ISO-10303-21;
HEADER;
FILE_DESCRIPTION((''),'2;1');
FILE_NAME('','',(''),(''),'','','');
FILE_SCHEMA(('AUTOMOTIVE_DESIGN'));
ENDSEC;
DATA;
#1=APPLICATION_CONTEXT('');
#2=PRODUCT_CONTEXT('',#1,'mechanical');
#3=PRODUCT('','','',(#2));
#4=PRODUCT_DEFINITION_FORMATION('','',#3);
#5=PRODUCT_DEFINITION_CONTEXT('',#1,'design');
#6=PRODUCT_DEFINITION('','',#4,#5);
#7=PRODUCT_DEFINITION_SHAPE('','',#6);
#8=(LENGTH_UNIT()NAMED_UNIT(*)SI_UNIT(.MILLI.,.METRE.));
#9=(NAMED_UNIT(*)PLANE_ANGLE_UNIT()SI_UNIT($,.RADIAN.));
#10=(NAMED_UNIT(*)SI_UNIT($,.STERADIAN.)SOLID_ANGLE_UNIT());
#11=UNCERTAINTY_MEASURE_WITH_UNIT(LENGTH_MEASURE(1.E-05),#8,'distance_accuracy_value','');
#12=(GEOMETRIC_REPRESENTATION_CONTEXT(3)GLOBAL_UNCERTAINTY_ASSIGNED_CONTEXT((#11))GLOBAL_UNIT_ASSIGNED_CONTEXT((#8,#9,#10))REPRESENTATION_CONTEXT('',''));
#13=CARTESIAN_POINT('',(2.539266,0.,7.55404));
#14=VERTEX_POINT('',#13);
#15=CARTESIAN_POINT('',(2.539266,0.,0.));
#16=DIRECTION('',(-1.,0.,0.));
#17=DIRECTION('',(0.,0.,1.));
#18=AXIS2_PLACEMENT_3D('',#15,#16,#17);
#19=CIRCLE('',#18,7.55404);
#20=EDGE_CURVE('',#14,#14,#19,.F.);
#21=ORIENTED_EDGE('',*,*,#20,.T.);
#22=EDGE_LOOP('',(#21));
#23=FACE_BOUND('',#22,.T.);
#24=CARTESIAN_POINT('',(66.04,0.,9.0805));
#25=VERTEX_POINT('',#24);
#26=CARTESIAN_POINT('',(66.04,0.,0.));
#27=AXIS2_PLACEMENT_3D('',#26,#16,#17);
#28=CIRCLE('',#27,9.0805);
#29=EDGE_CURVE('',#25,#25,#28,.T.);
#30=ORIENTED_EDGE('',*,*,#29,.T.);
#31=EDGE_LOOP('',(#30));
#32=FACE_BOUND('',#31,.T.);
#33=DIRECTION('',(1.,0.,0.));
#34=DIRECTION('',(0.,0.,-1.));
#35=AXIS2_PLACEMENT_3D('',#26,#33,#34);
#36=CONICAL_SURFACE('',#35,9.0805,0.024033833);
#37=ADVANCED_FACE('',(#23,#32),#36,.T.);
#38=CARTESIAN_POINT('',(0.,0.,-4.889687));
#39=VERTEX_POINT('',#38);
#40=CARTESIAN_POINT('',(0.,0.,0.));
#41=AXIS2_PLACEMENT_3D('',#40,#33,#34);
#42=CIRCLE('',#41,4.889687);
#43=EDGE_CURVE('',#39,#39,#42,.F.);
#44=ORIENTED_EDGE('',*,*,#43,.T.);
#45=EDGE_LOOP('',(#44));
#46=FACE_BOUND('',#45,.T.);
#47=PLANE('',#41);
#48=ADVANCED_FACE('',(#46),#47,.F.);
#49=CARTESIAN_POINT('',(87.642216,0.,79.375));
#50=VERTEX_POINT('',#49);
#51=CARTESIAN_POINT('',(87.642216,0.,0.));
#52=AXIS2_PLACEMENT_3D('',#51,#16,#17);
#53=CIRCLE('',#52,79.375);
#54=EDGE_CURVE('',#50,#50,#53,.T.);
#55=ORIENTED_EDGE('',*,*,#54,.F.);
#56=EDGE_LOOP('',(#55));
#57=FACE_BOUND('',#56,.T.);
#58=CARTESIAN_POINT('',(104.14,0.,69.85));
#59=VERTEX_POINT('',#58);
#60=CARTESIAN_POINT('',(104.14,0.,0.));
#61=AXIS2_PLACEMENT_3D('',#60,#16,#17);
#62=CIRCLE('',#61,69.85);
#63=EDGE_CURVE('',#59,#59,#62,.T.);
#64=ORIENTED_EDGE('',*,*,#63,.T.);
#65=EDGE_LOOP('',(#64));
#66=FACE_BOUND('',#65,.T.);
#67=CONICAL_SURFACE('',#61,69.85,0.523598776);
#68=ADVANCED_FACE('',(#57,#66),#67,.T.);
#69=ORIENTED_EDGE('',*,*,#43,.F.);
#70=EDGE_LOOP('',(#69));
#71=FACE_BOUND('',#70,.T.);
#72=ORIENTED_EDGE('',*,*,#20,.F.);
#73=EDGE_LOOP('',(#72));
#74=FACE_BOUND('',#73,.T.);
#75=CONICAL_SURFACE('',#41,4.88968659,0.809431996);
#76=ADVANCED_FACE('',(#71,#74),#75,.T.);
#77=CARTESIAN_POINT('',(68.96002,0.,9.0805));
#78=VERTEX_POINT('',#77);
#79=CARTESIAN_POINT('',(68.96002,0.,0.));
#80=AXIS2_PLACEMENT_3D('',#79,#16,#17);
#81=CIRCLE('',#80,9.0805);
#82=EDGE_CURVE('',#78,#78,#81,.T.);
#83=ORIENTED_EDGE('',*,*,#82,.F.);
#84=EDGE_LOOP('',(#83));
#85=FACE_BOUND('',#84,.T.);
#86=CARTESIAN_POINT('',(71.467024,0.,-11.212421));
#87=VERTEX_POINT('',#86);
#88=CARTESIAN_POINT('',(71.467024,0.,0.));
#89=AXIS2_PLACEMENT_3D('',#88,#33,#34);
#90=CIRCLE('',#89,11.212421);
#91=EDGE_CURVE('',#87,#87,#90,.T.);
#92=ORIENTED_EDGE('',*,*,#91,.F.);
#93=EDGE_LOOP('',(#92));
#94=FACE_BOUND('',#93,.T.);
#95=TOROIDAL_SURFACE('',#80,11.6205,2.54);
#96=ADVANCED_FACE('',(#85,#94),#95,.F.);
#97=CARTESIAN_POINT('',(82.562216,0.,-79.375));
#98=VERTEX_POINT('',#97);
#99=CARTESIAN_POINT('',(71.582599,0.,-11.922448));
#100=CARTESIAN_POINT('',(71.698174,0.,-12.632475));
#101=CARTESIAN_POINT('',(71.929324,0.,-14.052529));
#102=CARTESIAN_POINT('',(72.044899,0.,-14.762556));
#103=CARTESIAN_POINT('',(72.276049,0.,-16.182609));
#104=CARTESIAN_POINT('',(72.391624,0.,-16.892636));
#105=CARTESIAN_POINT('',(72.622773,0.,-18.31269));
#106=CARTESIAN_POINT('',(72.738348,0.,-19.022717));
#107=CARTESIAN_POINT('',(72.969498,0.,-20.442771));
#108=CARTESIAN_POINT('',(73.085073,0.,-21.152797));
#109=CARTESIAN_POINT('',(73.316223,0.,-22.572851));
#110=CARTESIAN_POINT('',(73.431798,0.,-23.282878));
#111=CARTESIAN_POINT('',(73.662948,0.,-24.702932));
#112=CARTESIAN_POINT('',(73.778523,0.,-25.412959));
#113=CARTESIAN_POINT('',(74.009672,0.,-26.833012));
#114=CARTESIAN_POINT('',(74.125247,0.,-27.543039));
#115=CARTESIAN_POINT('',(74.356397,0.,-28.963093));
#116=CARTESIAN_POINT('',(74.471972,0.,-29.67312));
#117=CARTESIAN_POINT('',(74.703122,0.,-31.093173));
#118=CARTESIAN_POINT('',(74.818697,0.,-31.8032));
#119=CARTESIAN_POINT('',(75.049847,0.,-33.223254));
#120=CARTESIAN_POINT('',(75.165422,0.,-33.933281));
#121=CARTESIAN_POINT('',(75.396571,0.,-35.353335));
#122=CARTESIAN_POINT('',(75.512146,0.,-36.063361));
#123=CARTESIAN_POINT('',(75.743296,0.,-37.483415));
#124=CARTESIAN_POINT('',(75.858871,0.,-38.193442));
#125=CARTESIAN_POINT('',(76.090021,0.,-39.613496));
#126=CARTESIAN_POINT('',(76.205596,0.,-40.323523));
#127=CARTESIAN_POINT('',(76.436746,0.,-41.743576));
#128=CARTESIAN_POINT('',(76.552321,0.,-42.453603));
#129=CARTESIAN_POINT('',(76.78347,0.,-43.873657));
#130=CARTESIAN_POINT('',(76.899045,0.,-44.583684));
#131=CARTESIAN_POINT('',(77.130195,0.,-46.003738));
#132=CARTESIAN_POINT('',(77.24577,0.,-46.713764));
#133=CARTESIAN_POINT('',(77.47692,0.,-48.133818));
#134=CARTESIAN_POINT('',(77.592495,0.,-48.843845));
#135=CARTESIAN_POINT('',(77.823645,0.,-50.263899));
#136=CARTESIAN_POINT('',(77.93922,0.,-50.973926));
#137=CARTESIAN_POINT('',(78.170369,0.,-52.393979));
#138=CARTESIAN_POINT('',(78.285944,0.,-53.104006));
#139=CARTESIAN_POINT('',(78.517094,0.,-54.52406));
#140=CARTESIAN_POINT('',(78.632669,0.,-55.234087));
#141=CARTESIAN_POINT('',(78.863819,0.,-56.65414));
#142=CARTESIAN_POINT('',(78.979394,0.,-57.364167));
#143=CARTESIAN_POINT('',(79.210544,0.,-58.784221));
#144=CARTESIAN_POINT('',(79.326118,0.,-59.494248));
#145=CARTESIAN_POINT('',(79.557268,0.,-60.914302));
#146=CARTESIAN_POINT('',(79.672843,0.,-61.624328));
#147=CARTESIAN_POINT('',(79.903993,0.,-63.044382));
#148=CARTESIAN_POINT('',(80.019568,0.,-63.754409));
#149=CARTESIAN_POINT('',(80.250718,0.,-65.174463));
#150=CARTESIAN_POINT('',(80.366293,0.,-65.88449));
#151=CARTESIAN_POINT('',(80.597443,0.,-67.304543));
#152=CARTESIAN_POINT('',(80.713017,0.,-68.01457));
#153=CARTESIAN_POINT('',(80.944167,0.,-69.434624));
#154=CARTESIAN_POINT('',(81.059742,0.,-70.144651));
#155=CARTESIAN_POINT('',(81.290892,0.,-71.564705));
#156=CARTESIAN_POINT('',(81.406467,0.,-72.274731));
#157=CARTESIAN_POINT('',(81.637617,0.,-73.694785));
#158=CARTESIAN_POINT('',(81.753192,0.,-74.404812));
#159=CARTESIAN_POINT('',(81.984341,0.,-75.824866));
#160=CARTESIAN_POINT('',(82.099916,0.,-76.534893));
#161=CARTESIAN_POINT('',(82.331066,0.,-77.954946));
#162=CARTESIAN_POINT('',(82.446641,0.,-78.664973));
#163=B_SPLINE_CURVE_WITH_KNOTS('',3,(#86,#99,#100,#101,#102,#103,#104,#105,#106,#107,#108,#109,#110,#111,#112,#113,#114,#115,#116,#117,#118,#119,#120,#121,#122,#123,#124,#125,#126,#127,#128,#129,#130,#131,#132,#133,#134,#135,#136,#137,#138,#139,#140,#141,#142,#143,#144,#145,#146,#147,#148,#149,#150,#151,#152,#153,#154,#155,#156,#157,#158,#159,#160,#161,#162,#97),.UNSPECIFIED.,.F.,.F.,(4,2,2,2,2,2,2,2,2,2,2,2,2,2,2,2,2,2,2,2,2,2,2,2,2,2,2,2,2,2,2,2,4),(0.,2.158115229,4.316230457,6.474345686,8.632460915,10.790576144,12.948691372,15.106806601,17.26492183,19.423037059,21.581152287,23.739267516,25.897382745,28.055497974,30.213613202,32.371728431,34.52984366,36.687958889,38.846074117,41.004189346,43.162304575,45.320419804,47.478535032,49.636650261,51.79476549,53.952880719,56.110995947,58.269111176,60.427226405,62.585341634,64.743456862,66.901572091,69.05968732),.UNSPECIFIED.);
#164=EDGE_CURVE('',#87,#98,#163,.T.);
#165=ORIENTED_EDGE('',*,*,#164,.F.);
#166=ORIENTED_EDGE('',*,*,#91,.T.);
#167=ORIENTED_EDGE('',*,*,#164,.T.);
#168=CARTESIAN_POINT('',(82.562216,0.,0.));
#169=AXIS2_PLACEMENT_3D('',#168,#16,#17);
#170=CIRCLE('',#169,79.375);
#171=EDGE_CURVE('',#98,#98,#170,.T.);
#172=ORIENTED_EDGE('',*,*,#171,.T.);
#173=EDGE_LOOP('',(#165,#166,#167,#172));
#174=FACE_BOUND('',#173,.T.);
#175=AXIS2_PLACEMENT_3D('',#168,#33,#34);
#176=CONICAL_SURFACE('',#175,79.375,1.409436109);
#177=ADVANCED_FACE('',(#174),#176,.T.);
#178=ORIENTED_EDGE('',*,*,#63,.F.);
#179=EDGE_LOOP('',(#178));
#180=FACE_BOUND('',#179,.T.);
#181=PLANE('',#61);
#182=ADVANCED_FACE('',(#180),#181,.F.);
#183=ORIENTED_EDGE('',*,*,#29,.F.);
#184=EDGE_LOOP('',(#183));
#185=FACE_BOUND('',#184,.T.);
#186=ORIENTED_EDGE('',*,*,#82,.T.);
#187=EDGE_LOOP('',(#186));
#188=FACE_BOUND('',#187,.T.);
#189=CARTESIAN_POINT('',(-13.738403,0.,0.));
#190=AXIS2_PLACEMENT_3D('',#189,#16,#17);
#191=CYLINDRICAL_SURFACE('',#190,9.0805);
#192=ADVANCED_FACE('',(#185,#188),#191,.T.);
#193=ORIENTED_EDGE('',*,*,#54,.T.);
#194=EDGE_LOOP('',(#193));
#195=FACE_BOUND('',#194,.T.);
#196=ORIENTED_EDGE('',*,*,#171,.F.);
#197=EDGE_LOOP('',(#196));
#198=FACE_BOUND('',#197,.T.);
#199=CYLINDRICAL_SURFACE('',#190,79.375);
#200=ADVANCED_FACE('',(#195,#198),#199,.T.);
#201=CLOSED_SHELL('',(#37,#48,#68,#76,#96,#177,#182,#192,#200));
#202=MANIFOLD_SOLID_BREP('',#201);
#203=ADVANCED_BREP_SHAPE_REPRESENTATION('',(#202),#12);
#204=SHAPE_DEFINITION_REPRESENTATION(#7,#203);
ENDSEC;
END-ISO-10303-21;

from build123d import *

# Parameters (mm, degrees)
FILLET1_R      = 2.54
CHAMFER1_SIZE  = 2.54
CHAMFER1_SIZE2 = 2.60331341


with BuildPart() as part:
    # Sketch1 → Revolve1 (revolve)
    with BuildSketch(Plane.XY, mode=Mode.PRIVATE) as revolve1_sk:
        Polygon((0, 0), (0, 7.493), (66.04, 9.0805), (71.12, 9.0805), (82.562216058, 79.375), (87.642216058, 79.375), (104.14, 69.85), (104.14, 0), align=None)
    revolve(revolve1_sk.sketch.rotate(Axis((-13.738402674, 0, 0), (1, 0, 0)), 90), axis=Axis((-13.738402674, 0, 0), (1, 0, 0)))

    # Fillet1
    fillet1_edges = [part.edges().sort_by_distance(p)[0] for p in [
        (71.12, 0, -9.0805),
    ]]
    fillet(fillet1_edges, radius=FILLET1_R)

    # Chamfer1
    chamfer1_edges = [part.edges().sort_by_distance(p)[0] for p in [
        (0, 0, -7.493),
    ]]
    chamfer1_side = [part.faces().sort_by_distance(p)[0] for p in [
        (33.02, 0, -8.28675),
    ]]
    chamfer(chamfer1_edges, length=CHAMFER1_SIZE, length2=CHAMFER1_SIZE2, reference=chamfer1_side[0])


solid = part.part
